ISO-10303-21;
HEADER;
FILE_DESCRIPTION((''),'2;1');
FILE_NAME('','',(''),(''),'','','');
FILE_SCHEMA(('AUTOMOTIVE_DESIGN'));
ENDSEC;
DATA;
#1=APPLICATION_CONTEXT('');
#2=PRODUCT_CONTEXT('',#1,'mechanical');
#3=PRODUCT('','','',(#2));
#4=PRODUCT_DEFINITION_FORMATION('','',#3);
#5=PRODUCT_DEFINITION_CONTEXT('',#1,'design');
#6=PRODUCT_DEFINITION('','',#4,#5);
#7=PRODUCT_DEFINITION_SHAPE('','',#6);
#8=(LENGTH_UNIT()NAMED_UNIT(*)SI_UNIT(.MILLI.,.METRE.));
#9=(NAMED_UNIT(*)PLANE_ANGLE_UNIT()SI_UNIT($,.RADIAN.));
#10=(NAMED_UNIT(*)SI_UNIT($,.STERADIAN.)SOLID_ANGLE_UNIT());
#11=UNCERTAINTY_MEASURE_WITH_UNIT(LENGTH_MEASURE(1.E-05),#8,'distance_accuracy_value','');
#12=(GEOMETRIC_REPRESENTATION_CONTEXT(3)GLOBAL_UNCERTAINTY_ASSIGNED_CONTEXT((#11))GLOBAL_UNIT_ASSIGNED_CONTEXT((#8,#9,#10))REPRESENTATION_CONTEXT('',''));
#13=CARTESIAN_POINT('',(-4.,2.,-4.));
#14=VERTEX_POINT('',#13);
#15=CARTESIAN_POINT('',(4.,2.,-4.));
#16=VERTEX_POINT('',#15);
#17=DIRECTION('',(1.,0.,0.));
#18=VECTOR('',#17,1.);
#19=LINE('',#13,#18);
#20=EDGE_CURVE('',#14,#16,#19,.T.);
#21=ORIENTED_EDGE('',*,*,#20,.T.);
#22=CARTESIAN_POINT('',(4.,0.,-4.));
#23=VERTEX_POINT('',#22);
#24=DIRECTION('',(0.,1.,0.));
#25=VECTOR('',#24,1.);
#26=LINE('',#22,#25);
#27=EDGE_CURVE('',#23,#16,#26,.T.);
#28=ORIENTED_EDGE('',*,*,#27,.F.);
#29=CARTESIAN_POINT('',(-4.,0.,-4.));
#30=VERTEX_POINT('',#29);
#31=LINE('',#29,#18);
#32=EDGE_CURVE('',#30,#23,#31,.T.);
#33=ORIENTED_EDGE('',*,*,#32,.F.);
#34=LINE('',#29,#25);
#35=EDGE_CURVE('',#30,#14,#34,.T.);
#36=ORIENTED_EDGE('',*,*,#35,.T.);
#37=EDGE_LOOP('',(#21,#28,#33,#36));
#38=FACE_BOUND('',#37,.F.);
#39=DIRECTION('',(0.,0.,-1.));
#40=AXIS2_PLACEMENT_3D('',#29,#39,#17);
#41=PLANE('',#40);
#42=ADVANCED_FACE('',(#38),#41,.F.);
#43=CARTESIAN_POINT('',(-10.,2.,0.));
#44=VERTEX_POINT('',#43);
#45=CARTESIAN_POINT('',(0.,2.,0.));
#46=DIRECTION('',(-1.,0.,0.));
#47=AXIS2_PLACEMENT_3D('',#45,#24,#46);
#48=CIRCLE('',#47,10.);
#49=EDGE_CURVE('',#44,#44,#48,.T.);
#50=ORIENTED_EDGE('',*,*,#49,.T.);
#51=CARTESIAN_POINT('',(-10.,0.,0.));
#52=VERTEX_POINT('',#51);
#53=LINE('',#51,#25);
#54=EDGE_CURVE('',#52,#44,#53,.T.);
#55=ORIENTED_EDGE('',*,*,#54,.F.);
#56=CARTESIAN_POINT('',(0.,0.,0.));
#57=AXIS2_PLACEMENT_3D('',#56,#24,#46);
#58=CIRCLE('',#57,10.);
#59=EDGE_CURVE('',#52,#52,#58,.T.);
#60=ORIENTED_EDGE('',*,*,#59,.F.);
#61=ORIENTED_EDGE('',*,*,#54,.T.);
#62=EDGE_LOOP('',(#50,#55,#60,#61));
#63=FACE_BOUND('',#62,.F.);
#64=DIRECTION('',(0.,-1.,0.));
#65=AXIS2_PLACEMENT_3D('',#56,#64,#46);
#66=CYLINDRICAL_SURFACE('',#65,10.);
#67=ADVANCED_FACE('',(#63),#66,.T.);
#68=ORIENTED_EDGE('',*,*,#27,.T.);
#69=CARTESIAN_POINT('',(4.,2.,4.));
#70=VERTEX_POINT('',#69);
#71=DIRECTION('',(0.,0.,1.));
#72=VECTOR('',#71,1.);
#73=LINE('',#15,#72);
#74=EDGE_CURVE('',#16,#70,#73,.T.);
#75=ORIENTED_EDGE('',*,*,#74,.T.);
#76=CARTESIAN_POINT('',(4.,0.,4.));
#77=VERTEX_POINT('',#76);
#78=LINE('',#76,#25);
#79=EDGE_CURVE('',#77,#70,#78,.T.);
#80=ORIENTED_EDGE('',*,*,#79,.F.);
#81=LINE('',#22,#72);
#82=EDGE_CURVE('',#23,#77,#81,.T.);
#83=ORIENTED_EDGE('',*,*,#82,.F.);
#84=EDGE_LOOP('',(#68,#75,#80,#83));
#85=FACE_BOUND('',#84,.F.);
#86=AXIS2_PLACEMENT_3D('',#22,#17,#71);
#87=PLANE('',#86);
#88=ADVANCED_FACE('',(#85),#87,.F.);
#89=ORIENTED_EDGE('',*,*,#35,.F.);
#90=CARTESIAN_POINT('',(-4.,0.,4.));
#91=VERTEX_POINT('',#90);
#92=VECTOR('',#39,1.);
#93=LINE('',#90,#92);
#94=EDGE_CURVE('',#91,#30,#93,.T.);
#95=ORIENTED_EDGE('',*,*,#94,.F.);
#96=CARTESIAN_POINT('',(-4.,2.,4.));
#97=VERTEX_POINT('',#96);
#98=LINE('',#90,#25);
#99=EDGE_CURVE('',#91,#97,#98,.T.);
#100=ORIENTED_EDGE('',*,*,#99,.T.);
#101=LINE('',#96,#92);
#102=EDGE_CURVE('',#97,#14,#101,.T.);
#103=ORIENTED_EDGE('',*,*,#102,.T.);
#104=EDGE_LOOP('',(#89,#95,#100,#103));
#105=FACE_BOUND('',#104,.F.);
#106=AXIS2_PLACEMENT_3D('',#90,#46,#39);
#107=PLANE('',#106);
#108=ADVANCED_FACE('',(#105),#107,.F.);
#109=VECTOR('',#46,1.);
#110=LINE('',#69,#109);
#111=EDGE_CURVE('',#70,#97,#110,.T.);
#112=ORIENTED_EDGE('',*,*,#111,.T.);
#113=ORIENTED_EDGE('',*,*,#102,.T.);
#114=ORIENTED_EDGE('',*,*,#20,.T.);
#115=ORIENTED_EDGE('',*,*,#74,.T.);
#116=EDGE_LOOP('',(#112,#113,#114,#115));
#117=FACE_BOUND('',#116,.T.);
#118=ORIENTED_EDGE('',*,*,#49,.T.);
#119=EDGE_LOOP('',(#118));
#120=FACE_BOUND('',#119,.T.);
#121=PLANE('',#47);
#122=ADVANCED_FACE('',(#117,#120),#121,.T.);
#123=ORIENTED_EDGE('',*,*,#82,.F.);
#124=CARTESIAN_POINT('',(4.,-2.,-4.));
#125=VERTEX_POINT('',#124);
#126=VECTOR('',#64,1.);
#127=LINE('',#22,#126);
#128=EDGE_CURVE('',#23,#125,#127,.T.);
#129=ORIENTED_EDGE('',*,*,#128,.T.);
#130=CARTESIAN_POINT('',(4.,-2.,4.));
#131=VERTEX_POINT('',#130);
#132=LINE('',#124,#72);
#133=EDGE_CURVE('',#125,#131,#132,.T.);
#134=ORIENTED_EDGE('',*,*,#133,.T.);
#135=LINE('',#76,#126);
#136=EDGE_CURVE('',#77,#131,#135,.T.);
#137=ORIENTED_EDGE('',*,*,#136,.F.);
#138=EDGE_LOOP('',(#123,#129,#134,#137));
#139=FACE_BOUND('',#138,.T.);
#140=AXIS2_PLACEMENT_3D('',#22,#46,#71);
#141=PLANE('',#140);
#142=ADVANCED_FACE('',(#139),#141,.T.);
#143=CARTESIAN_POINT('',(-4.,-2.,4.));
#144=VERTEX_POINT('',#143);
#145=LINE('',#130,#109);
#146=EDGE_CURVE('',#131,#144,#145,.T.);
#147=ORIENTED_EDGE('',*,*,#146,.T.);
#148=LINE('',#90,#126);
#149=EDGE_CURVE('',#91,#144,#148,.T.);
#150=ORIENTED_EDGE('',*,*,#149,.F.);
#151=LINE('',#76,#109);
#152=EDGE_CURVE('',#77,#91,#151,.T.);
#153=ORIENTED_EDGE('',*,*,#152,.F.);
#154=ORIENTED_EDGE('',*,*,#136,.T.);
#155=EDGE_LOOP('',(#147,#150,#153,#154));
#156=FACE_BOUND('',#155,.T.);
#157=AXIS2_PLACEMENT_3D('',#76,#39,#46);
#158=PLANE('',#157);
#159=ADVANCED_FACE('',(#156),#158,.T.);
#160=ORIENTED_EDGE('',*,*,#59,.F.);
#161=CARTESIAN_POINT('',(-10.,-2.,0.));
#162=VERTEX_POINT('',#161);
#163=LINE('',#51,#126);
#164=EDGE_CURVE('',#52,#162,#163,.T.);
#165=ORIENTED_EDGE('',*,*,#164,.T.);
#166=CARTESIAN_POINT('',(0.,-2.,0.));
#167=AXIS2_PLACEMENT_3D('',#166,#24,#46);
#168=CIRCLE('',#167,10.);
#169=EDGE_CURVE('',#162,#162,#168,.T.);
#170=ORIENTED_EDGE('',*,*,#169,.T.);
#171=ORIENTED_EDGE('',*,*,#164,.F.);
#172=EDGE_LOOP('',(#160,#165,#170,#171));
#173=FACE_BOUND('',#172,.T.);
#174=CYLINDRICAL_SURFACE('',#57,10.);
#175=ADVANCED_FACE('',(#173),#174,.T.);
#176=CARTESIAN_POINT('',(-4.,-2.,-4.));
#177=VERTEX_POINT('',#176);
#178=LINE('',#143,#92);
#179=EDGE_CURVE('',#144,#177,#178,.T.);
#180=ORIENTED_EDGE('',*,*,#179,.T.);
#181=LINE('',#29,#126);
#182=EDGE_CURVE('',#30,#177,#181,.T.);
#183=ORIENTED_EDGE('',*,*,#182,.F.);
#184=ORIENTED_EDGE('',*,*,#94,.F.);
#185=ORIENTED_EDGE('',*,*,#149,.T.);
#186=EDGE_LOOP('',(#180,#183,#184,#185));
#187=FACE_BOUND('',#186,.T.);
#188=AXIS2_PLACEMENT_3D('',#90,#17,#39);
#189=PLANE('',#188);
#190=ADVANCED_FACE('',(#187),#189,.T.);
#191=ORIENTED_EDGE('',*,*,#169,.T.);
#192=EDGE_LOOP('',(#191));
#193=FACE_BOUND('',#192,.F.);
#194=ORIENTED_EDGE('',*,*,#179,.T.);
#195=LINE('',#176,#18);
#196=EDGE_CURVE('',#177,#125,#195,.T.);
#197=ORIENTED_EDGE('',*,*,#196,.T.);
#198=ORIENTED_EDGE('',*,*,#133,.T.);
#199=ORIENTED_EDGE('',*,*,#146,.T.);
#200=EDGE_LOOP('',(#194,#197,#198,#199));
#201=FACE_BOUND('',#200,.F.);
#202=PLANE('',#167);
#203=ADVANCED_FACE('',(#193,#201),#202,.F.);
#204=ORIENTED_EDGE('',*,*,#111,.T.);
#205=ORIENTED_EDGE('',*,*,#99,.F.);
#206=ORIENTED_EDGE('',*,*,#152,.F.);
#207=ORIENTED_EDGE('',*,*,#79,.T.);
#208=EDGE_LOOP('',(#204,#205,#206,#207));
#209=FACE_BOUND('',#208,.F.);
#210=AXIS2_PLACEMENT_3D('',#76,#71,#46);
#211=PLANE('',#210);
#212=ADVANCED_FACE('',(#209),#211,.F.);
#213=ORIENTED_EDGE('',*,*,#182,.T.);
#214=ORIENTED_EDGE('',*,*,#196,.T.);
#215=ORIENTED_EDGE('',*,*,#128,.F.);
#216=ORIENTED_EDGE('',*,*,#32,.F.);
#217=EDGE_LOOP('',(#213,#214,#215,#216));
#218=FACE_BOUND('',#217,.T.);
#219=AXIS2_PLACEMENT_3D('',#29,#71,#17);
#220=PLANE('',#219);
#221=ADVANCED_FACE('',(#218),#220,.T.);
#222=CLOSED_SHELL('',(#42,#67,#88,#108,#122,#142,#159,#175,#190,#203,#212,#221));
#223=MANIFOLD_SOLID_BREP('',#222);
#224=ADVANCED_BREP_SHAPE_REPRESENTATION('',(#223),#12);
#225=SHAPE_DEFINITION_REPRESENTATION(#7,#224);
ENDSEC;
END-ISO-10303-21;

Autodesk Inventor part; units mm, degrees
ref_plane "YZ Plane" through (0, 0, 0) normal (1, 0, 0) x (0, 1, 0)
ref_plane "XZ Plane" through (0, 0, 0) normal (0, 1, 0) x (-1, 0, 0)
ref_plane "XY Plane" through (0, 0, 0) normal (0, 0, 1) x (1, 0, 0)
sketch "Эскиз1" plane through (0, 0, 0) normal (0, 1, 0) x (-1, 0, 0)
  line L0 (4, -4) -> (-4, -4)
  line L1 (-4, -4) -> (-4, 4)
  line L2 (-4, 4) -> (4, 4)
  line L3 (4, 4) -> (4, -4)
  circle A0 centre (0, 0) radius 10
  point P0 (-4, 0)
  point P1 (0, -4)
  dimension "d0" = 8
  dimension "d1" = 20
extrude "Выдавливание1" add sketch "Эскиз1" along normal mid plane 4
thread "Резьба1" size "M20x1" class "6g" standard "ISO Metric profile" length 20
properties part number "80. Стопор предохранителя"
